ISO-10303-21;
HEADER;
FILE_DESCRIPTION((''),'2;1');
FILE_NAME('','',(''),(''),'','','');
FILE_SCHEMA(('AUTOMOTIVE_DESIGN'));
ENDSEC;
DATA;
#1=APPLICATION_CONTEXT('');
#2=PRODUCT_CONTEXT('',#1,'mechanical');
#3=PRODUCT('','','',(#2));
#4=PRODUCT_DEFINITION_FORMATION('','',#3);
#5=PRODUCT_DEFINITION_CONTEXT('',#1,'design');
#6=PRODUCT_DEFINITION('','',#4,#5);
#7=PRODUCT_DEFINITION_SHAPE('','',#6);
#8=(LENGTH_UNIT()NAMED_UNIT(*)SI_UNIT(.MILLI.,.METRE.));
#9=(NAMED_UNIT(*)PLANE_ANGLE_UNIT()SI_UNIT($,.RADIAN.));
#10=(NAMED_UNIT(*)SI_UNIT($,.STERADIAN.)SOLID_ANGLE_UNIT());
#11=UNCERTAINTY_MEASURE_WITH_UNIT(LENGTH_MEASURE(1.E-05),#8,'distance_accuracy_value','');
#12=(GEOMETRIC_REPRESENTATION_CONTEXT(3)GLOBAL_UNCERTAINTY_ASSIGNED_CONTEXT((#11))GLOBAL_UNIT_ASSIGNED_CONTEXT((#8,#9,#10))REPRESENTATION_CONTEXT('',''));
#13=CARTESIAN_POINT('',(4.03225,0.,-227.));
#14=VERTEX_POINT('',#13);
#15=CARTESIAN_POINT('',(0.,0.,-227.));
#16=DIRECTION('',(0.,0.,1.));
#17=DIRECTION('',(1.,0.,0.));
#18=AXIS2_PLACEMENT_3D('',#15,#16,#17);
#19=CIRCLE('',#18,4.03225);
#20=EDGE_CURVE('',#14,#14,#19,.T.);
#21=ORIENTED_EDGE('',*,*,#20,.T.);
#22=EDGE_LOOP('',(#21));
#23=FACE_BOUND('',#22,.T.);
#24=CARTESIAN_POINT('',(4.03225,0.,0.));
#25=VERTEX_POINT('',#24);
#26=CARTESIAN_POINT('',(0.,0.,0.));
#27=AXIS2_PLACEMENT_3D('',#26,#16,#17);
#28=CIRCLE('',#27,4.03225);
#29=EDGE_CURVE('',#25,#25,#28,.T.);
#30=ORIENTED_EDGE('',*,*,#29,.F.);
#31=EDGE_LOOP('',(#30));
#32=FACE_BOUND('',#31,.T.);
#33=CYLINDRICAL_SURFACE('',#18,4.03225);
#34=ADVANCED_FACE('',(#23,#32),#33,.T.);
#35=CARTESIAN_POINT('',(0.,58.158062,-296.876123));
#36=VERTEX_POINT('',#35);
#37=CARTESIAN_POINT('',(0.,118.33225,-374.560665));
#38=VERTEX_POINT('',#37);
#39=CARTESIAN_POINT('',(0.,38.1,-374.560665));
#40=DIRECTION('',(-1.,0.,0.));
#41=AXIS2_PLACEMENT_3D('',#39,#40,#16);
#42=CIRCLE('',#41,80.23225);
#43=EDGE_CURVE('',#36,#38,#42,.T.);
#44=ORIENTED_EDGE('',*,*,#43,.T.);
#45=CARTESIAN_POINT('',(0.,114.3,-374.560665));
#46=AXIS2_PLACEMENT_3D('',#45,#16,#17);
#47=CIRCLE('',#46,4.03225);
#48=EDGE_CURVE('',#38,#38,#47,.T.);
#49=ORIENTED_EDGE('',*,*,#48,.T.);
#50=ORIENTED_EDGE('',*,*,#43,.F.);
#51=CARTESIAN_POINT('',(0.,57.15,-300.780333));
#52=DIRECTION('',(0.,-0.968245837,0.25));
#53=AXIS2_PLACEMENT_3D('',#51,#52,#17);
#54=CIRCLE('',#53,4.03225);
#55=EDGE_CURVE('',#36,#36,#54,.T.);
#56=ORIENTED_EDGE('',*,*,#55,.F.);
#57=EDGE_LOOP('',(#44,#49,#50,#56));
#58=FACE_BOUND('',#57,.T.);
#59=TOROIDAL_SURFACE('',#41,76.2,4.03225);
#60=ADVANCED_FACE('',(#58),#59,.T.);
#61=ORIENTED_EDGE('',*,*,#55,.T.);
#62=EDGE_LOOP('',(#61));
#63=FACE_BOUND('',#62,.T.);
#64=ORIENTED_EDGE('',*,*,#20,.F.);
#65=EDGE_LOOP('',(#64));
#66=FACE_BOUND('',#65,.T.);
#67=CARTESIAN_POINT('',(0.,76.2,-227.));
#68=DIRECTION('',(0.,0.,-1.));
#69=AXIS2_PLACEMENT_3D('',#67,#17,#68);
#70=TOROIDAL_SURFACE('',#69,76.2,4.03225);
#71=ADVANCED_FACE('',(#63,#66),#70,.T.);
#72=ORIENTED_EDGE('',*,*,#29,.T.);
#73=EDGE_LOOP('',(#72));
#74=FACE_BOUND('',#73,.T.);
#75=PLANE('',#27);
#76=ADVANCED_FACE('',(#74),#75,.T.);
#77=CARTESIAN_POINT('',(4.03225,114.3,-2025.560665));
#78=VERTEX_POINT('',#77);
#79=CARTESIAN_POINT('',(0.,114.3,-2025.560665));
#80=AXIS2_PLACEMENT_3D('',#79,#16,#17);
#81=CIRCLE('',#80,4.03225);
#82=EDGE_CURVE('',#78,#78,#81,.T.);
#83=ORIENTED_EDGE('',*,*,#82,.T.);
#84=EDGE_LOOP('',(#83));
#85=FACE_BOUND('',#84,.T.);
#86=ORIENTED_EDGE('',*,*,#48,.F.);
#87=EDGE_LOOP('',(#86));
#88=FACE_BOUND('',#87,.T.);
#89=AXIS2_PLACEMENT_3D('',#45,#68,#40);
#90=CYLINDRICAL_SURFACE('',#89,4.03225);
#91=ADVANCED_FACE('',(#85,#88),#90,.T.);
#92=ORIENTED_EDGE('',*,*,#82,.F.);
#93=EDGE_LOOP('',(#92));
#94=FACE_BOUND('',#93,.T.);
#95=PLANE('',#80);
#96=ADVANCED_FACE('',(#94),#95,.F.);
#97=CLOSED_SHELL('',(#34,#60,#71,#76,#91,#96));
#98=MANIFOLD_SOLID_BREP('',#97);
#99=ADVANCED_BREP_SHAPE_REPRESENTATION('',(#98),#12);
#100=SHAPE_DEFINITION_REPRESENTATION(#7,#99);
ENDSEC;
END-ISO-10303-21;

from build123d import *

# Parameters (mm, degrees)
SKETCH1_R = 4.03225


with BuildPart() as part:
    # Sweep1: sweep along a path in Sketch2
    with BuildLine(Plane(origin=(0, 0, 0), x_dir=(0, 0, -1), z_dir=(1, 0, 0))) as sweep1_path:
        Line((0, 0), (227, 0))
        ThreePointArc((227, 0), (273.6627796, 15.958610574), (300.780332745, 57.15))
        ThreePointArc((300.780332745, 57.15), (327.89788589, 98.341389426), (374.560665491, 114.3))
        Line((374.560665491, 114.3), (2025.560665491, 114.3))
    # Sketch1 → Sweep1 (sweep)
    with BuildSketch(Plane.XY):
        Circle(SKETCH1_R)
    sweep(path=sweep1_path.line)


solid = part.part
